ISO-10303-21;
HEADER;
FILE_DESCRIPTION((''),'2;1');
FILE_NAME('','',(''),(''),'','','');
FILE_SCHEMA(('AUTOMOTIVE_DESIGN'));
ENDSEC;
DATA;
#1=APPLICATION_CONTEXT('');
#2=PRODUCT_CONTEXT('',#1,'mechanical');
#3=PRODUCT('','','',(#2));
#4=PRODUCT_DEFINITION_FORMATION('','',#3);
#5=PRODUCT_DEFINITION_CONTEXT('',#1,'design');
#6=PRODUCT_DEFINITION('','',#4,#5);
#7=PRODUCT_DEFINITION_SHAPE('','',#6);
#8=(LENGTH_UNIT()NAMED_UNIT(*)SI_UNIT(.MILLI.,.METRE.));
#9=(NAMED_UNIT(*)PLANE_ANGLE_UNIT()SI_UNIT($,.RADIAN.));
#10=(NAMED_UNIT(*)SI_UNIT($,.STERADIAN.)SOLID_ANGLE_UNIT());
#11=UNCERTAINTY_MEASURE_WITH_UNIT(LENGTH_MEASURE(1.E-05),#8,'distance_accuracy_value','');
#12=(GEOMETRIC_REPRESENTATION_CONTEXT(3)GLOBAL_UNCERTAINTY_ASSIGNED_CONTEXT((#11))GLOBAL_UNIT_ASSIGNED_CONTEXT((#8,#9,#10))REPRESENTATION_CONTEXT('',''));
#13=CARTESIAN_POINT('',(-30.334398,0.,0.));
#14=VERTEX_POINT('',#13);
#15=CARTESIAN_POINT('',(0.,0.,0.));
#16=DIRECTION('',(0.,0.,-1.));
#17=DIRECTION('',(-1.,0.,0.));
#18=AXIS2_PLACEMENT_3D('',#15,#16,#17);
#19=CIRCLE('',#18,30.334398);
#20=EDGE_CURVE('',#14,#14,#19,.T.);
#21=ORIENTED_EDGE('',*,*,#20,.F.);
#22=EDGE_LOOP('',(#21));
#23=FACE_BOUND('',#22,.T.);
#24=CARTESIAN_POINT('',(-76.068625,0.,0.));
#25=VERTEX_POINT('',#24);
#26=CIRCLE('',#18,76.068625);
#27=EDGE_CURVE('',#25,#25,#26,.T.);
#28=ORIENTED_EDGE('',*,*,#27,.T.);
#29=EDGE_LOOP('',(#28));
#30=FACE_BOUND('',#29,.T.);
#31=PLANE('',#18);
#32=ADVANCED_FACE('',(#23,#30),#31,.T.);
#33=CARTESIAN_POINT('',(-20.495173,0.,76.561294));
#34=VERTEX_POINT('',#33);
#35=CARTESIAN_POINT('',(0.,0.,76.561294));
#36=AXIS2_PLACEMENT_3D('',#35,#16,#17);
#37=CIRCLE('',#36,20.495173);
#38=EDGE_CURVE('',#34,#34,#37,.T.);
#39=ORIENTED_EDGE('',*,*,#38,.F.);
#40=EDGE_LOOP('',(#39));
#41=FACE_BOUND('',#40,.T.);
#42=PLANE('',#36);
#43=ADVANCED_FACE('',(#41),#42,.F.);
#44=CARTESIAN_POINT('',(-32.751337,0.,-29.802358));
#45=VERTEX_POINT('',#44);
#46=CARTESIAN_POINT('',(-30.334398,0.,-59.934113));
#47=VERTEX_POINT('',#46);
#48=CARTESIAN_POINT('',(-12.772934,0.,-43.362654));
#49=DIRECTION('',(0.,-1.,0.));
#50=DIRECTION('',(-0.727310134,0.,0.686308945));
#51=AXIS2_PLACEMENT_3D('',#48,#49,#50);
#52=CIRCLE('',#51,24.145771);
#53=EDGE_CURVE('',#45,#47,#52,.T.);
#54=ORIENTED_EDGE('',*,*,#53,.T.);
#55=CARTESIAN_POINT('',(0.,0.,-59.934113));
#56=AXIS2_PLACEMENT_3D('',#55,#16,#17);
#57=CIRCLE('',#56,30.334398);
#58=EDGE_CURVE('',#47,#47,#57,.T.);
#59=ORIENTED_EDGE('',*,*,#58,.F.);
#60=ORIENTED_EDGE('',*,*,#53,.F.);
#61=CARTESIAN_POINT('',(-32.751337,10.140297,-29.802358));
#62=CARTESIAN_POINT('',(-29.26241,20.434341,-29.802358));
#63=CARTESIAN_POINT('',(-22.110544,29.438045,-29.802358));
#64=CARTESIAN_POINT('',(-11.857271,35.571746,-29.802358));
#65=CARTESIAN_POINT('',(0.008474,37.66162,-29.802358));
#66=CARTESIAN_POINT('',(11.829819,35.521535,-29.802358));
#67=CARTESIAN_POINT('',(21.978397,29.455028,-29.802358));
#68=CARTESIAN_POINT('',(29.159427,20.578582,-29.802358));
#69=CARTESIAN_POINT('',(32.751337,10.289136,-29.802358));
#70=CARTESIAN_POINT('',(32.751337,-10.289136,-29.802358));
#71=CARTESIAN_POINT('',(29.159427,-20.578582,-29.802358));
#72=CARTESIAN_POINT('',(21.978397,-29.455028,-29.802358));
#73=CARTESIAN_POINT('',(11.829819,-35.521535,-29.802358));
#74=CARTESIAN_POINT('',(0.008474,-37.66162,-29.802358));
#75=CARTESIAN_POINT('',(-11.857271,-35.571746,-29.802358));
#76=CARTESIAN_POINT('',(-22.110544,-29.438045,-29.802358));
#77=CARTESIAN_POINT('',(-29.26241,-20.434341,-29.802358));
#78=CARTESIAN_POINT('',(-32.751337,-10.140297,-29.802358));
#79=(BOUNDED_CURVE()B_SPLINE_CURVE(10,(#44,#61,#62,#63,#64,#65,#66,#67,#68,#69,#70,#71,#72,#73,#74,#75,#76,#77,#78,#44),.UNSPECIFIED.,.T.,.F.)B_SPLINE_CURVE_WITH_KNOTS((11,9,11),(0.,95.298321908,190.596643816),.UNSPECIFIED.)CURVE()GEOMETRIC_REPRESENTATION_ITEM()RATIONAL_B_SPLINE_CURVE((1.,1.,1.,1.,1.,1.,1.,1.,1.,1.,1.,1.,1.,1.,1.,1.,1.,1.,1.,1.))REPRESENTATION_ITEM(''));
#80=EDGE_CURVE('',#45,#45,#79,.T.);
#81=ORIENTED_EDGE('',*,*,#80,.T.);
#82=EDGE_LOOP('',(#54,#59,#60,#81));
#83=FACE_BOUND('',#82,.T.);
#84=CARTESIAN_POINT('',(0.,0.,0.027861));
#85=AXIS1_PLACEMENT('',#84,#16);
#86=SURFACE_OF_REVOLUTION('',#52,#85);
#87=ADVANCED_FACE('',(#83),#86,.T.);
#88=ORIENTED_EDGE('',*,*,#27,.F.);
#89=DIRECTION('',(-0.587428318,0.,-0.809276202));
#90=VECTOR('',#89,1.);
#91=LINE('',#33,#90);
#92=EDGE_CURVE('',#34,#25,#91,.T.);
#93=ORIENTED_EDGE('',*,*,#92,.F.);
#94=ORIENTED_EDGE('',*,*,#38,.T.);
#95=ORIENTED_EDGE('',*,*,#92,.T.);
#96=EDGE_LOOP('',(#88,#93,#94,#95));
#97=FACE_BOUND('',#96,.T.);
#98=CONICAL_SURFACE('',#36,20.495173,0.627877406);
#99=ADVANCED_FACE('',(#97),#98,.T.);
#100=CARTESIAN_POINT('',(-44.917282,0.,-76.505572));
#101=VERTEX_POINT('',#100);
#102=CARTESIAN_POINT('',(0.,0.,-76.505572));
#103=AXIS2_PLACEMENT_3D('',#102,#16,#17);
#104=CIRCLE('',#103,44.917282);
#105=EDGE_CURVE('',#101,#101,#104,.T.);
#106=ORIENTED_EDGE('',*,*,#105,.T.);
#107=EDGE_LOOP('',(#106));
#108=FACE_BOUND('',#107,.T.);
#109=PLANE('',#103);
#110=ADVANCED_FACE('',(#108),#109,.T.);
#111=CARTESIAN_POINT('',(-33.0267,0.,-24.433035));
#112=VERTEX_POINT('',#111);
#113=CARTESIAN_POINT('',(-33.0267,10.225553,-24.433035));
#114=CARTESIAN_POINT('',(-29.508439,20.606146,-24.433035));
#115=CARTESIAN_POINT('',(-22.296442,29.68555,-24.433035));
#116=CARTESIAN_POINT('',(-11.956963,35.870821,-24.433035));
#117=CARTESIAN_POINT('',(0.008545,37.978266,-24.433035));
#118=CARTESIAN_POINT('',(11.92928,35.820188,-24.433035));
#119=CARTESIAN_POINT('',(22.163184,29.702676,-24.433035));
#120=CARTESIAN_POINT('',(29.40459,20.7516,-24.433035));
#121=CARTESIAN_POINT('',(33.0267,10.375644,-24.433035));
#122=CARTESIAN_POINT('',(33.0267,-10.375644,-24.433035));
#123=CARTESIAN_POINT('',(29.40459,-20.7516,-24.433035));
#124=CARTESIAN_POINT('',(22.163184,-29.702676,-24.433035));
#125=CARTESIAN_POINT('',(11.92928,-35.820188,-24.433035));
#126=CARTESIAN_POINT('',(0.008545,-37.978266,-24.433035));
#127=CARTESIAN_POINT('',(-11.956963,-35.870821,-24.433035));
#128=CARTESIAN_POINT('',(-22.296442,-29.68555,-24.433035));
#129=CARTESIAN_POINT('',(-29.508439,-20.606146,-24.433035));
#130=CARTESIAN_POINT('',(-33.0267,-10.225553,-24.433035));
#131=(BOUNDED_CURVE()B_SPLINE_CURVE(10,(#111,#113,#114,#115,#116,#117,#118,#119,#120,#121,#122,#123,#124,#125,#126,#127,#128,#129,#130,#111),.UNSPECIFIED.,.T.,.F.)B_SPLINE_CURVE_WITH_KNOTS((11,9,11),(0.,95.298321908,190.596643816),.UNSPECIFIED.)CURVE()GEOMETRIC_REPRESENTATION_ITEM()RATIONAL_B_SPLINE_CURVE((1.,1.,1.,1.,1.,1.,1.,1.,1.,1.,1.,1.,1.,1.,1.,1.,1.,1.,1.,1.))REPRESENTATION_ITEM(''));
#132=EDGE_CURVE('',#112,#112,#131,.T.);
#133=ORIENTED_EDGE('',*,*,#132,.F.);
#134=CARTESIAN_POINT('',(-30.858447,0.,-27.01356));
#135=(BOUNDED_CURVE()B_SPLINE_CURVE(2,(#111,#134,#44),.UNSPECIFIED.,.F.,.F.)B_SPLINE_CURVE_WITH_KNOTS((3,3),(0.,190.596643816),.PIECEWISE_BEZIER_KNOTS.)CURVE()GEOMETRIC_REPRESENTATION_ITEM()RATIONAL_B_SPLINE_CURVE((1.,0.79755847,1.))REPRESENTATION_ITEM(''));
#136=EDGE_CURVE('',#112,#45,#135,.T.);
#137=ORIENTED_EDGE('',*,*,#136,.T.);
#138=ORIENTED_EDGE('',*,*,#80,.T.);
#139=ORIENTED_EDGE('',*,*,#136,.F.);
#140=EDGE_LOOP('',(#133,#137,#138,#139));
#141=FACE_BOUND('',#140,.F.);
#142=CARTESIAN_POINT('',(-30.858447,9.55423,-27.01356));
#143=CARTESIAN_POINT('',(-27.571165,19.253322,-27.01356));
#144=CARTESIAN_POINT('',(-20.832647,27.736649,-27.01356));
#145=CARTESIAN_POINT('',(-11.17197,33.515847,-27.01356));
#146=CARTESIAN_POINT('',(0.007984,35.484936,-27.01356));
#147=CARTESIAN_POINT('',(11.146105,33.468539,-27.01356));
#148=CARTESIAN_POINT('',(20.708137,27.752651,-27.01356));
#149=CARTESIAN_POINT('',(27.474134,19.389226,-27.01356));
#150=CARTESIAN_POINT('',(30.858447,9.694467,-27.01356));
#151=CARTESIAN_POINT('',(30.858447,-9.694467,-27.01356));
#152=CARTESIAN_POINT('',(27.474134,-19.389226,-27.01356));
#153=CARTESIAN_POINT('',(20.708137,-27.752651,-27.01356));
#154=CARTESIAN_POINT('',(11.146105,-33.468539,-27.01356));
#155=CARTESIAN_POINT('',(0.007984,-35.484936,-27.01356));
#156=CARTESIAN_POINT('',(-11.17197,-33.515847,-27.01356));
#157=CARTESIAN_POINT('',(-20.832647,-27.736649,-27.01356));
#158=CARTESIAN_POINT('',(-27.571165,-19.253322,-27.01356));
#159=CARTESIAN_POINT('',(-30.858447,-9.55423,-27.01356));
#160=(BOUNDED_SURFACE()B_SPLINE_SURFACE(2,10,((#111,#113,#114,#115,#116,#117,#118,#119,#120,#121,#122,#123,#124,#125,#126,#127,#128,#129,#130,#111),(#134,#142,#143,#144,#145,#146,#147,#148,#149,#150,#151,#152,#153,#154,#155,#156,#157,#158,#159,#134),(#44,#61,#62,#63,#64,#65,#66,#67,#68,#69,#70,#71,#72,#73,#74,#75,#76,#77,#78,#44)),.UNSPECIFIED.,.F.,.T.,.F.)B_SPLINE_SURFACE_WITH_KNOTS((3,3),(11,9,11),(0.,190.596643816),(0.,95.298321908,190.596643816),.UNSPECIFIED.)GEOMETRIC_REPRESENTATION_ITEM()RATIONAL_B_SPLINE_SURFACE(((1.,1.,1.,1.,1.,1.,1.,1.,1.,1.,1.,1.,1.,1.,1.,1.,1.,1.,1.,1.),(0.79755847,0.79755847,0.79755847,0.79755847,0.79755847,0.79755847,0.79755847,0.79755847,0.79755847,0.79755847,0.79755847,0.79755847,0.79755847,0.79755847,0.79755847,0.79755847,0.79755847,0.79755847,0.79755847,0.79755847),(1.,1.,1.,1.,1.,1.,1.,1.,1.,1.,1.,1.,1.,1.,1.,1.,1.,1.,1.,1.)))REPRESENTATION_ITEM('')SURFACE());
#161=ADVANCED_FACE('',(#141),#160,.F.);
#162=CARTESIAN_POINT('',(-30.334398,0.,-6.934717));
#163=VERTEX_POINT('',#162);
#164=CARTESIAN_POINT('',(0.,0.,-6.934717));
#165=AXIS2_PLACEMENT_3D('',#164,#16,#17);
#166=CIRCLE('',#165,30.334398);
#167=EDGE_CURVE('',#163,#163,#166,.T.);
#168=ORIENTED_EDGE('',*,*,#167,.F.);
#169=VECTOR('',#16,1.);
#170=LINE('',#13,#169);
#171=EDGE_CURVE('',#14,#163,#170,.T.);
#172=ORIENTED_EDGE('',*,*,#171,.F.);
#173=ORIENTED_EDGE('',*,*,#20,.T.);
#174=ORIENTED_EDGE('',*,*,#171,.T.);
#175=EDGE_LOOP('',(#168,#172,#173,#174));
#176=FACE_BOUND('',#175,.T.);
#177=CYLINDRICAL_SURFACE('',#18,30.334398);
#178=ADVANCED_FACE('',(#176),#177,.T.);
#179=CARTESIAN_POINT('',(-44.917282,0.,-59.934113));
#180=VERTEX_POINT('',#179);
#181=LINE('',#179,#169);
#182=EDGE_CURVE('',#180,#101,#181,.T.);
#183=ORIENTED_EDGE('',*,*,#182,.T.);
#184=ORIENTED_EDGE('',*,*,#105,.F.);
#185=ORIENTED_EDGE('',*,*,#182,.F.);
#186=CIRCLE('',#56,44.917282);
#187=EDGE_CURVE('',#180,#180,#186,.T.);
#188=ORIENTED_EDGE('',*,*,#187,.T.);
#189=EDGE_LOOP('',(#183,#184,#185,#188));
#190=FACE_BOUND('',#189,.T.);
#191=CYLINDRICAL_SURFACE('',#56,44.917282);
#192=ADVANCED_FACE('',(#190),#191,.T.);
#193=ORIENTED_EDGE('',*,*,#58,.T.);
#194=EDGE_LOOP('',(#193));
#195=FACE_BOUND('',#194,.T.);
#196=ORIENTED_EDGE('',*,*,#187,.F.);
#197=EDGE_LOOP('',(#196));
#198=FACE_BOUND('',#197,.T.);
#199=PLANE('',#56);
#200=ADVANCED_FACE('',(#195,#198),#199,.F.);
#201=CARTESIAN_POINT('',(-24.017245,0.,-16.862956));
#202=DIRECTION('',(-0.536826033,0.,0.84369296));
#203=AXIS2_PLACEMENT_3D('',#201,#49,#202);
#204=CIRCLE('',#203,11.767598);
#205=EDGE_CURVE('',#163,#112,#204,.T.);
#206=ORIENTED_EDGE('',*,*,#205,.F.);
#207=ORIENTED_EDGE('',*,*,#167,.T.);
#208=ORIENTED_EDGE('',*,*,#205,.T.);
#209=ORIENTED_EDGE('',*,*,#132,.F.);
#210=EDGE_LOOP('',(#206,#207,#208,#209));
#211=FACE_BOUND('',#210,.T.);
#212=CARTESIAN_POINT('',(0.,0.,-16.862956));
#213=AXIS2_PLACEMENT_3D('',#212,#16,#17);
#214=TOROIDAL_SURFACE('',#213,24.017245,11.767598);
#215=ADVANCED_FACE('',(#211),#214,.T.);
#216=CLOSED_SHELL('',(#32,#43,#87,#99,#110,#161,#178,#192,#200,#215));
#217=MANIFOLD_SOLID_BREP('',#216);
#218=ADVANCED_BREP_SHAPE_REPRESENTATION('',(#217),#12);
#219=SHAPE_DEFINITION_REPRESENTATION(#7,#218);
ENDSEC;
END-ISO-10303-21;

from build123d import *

# Parameters (mm, degrees)
F2_R = 4.45624


with BuildPart() as f1:
    # F0 (on Front) → F1 (revolve)
    with BuildSketch(Plane.XZ):
        with BuildLine():
            Line((0, 76.561294), (-20.495173, 76.561294))
            Line((-20.495173, 76.561294), (-76.068625, 0))
            Line((-76.068625, 0), (-30.334398, 0))
            Line((-30.334398, 0), (-30.334398, -6.934717))
            ThreePointArc((-30.334398, -6.934717), (-35.784843, -16.862957), (-30.334398, -26.791196))
            ThreePointArc((-30.334398, -26.791196), (-36.918705, -43.362655), (-30.334398, -59.934113))
            Line((-30.334398, -59.934113), (-44.917282, -59.934113))
            Line((-44.917282, -59.934113), (-44.917282, -76.505572))
            Line((-44.917282, -76.505572), (0, -76.505572))
            Line((0, -76.505572), (0, 76.561294))
        make_face()
    revolve(axis=Axis((0, 0, 0.027861), (0, 0, -1)))

    # F2
    f2_edges = [f1.edges().sort_by_distance(p)[0] for p in [
        (30.334398, 0, -26.791196),
    ]]
    fillet(f2_edges, radius=F2_R)


solid = f1.part
